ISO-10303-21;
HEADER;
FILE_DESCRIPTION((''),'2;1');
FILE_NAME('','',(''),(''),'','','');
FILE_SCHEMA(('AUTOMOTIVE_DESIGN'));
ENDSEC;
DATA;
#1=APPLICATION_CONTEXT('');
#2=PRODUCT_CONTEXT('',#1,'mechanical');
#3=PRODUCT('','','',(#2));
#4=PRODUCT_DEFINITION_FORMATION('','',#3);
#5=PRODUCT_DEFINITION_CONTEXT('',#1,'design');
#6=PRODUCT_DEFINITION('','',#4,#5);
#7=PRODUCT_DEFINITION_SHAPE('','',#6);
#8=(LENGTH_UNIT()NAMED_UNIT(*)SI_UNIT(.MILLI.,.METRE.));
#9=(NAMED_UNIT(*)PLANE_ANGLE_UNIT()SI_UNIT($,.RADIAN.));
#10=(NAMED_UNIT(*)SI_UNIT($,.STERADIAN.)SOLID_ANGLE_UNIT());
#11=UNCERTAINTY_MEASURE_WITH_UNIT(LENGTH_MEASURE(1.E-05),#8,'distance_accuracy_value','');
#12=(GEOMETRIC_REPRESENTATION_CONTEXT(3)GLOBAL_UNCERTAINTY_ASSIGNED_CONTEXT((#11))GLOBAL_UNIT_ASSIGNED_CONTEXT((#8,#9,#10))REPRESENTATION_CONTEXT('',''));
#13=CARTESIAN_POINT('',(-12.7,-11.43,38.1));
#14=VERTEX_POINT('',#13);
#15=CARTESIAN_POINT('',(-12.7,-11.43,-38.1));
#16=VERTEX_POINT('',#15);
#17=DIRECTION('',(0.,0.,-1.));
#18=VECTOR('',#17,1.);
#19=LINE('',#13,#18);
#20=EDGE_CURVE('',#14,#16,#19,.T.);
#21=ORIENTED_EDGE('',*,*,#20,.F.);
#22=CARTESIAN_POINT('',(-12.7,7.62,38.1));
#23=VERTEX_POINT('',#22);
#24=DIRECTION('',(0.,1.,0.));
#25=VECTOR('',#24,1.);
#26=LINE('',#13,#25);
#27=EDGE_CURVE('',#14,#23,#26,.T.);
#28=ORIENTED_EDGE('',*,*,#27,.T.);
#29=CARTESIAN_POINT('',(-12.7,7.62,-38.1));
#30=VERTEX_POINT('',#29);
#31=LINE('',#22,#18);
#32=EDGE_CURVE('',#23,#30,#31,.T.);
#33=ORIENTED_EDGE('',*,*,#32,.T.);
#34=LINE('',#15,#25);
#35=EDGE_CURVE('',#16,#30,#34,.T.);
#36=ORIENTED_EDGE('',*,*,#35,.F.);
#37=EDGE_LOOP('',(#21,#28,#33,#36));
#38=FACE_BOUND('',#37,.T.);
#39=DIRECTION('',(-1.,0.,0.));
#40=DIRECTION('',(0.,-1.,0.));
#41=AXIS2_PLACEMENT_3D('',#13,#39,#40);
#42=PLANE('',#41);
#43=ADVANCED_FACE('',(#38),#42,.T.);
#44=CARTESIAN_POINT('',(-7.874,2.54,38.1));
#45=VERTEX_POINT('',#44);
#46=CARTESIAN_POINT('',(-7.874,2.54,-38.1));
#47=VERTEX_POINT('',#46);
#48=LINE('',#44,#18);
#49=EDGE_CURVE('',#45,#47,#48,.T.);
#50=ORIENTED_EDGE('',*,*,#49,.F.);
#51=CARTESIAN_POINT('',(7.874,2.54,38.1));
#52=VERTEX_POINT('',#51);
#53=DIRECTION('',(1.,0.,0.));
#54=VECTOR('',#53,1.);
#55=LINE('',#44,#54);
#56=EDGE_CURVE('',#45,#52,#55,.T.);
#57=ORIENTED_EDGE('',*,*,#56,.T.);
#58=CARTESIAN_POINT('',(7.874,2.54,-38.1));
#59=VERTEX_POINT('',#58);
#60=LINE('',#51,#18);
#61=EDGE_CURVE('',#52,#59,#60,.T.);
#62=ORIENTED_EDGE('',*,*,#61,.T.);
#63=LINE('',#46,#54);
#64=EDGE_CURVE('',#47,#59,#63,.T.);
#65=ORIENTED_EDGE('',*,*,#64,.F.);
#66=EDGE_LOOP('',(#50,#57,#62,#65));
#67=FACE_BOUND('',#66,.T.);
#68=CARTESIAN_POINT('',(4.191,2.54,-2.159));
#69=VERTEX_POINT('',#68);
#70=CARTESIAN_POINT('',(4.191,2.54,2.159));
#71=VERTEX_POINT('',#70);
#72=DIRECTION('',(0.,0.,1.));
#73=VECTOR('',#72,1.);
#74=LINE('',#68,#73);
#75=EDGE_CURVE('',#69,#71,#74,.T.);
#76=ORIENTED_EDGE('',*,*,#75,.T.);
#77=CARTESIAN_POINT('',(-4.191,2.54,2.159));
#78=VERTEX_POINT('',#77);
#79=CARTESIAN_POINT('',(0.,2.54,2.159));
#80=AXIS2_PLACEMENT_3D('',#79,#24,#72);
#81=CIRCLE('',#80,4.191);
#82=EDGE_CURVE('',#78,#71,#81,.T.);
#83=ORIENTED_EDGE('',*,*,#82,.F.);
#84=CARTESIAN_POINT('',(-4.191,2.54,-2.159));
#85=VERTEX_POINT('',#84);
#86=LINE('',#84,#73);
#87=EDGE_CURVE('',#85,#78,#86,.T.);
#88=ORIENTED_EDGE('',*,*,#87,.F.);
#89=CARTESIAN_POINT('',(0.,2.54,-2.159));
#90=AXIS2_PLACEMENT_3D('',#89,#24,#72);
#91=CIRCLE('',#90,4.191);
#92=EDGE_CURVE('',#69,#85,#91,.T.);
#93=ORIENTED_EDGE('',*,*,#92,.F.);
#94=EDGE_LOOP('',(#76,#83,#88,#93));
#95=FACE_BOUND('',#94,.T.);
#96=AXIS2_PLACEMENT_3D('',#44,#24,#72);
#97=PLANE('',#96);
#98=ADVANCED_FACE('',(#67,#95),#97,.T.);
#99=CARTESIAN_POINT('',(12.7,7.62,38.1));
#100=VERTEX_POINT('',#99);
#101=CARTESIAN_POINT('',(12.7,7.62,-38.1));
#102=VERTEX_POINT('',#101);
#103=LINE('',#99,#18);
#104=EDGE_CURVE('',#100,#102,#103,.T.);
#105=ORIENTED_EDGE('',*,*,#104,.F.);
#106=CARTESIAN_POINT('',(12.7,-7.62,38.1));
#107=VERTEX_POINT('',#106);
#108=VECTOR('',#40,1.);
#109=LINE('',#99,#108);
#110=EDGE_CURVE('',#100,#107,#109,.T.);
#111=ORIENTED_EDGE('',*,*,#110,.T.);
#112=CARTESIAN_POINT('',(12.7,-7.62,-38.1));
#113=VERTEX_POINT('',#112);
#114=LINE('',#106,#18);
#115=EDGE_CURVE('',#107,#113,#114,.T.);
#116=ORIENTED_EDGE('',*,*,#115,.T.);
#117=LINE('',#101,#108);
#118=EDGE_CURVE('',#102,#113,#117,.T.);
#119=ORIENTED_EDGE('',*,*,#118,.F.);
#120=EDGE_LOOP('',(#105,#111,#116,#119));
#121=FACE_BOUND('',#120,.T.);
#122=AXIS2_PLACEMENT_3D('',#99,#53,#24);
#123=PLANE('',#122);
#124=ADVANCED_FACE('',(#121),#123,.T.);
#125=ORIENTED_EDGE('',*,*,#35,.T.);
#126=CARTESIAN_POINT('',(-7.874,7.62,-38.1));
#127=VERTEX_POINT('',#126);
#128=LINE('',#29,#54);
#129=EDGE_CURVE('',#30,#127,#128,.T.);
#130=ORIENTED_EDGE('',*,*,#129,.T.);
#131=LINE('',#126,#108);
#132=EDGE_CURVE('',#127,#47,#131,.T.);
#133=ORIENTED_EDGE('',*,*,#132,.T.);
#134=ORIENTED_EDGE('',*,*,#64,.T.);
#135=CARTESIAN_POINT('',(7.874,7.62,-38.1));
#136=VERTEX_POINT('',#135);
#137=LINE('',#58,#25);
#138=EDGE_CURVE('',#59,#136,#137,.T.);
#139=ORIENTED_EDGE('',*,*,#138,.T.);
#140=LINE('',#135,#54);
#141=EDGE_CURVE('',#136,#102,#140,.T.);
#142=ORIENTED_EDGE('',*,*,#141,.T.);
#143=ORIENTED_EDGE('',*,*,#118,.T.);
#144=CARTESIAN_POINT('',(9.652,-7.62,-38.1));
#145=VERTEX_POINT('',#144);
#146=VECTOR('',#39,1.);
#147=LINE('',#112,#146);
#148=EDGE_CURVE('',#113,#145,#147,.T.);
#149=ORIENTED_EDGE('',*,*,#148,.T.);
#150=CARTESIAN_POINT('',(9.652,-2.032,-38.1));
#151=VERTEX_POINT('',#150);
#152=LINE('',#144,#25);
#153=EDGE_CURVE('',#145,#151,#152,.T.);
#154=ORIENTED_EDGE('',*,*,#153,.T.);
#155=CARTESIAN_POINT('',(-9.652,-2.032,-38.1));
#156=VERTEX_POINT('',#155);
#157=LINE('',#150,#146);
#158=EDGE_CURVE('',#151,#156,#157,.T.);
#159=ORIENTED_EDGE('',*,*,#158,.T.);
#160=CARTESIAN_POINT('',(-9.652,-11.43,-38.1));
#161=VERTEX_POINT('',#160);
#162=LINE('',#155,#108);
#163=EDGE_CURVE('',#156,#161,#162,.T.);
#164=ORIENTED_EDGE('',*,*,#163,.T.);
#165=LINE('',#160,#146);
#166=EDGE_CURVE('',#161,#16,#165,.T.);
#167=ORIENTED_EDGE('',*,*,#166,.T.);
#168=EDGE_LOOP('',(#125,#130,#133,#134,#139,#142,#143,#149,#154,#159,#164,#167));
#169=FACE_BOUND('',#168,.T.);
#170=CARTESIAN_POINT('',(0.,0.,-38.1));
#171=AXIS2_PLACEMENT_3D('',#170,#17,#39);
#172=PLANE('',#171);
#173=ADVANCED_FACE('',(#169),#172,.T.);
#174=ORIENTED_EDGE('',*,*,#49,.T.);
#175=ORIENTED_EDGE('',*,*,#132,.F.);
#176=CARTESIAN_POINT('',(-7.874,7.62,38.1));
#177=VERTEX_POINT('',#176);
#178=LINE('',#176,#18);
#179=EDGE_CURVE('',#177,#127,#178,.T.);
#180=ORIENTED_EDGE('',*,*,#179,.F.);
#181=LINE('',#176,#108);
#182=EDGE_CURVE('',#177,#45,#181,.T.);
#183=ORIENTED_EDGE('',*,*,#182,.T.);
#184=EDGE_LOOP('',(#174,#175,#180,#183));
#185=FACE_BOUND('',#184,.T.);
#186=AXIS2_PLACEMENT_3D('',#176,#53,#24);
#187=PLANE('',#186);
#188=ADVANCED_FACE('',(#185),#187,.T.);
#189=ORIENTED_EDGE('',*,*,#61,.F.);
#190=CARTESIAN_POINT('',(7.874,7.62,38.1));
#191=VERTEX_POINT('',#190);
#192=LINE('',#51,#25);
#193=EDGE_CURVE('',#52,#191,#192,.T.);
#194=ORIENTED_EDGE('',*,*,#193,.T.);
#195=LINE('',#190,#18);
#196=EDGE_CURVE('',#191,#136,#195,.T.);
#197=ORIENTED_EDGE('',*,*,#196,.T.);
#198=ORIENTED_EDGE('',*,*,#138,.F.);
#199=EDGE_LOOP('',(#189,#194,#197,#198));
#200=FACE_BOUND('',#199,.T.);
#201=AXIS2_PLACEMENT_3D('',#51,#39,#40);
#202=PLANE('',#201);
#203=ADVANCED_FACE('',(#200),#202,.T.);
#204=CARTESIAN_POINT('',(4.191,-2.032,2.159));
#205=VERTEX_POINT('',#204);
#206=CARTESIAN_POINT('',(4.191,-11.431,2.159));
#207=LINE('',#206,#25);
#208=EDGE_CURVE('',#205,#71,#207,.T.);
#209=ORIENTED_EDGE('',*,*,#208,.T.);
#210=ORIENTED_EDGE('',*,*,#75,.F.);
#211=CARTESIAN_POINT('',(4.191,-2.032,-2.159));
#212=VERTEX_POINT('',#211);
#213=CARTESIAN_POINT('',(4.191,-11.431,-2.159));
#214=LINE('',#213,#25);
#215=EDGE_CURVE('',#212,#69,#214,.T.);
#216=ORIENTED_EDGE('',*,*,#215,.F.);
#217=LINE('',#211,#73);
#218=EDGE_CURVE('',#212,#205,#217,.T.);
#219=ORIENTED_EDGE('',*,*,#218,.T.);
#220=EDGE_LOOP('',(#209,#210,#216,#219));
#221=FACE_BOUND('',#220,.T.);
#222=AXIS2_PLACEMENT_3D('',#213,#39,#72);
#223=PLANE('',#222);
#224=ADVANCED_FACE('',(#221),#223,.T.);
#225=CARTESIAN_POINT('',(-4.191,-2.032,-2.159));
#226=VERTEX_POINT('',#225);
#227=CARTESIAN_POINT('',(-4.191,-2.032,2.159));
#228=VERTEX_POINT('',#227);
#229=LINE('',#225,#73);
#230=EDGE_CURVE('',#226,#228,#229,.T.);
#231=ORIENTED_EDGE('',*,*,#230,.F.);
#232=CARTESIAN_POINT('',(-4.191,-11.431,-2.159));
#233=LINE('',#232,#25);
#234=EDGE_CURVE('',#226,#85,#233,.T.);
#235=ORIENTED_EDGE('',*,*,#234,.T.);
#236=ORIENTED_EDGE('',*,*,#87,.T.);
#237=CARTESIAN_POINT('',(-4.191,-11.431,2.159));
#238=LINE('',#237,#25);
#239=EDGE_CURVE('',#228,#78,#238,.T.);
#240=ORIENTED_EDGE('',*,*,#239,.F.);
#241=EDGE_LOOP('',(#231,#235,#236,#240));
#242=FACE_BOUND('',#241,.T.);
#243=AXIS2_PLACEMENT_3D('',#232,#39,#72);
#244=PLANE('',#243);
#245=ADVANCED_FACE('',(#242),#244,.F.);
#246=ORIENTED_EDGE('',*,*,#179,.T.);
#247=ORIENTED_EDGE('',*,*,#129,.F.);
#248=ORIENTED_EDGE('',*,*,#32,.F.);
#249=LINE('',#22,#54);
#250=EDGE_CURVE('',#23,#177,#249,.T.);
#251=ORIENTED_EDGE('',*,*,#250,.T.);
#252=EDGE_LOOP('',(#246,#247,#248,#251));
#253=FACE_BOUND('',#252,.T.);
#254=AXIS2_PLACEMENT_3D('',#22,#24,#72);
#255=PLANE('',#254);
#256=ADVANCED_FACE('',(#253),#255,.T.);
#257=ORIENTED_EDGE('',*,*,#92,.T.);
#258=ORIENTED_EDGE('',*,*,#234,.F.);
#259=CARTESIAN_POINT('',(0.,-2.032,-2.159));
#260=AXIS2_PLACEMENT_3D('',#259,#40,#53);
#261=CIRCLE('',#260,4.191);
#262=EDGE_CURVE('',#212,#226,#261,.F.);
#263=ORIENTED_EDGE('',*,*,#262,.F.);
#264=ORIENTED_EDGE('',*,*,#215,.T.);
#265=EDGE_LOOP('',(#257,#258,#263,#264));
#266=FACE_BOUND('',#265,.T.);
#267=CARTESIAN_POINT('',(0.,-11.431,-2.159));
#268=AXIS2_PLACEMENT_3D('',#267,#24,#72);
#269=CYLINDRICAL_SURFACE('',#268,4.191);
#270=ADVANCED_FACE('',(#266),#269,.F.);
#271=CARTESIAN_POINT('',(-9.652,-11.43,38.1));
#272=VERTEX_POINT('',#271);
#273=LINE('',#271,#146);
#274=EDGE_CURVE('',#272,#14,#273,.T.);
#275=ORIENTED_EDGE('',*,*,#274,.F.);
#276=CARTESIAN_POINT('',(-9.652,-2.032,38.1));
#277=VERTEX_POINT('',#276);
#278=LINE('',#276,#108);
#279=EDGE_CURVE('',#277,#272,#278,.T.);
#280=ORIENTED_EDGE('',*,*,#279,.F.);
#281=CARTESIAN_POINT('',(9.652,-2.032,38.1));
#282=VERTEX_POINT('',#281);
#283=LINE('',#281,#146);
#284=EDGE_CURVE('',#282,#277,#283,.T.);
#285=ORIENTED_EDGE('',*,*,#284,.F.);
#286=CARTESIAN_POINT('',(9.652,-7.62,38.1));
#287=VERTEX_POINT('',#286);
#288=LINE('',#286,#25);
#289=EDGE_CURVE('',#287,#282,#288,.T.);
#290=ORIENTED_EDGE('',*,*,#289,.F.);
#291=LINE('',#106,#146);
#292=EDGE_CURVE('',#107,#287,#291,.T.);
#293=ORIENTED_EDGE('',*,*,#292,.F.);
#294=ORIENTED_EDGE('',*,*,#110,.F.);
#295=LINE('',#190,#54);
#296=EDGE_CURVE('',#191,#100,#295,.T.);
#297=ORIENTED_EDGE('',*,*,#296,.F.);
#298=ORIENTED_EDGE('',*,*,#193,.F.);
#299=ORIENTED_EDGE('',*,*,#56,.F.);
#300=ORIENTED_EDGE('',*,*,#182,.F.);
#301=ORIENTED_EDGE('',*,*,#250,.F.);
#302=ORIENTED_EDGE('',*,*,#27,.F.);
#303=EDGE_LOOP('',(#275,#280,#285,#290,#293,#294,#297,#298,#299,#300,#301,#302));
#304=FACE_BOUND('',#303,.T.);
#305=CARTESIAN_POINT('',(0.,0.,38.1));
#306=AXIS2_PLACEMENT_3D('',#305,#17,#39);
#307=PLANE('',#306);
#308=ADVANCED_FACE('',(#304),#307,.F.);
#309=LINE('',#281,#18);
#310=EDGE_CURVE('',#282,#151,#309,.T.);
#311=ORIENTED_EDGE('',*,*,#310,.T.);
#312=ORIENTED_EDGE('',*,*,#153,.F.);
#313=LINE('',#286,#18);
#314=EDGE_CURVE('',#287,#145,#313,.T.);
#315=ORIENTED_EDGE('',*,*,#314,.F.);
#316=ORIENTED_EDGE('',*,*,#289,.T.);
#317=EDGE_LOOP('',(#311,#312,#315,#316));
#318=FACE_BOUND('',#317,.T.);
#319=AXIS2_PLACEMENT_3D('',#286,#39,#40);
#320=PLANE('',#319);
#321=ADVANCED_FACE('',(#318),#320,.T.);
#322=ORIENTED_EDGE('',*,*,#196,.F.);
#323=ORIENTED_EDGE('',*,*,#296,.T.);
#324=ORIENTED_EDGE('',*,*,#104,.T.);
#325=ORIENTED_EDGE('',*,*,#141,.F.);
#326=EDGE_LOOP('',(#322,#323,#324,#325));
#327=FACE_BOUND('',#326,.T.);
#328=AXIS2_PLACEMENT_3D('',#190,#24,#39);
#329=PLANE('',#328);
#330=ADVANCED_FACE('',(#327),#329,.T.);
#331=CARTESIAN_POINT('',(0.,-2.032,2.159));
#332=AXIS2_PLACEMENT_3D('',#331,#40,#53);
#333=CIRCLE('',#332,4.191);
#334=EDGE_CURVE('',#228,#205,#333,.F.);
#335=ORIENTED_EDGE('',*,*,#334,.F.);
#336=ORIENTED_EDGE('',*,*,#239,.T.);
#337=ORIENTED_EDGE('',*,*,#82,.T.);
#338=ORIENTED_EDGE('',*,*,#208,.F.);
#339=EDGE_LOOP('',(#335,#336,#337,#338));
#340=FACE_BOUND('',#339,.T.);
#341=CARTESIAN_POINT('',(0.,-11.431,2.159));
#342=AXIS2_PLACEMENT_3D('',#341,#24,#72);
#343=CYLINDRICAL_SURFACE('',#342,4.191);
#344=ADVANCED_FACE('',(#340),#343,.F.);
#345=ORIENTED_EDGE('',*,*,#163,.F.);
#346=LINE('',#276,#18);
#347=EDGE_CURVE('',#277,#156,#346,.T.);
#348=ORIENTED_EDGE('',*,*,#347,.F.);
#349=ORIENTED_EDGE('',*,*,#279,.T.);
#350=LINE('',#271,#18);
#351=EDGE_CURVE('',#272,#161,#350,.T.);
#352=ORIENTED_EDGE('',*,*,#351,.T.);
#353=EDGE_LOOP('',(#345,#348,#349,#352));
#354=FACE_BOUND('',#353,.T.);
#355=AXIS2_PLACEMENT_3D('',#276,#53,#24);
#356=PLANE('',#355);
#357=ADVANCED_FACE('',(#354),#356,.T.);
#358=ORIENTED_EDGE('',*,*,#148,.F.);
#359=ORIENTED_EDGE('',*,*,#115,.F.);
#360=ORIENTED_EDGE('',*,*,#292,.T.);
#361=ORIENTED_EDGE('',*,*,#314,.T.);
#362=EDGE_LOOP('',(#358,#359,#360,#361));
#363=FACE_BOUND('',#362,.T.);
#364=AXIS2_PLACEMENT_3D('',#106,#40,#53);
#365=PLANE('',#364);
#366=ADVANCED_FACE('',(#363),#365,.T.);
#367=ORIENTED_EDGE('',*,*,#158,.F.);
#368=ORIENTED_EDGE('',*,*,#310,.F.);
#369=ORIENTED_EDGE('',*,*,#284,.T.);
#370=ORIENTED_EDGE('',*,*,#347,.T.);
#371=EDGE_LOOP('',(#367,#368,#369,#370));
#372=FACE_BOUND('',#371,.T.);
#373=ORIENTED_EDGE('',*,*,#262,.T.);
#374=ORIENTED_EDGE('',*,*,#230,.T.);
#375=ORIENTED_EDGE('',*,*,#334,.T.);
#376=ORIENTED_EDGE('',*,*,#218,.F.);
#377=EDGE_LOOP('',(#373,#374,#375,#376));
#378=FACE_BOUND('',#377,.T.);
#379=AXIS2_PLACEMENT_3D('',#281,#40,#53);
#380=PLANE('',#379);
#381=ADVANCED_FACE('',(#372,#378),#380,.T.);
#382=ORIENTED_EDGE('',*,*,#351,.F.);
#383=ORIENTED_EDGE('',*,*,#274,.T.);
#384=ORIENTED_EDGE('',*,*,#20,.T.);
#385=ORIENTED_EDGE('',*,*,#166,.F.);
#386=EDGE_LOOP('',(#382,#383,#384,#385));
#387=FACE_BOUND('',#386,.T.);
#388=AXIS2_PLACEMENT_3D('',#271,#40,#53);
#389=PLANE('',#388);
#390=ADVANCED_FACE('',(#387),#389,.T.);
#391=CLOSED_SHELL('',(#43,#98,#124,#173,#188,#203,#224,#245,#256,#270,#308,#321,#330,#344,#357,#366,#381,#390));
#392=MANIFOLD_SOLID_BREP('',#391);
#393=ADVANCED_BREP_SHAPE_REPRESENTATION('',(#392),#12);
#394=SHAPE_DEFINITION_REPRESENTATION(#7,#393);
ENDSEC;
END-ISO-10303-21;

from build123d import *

# Parameters (mm, degrees)
BOSS_EXTRUDE1_DEPTH = 38.1
CUT_EXTRUDE1_REACH  = 44.521


with BuildPart() as part:
    # Sketch1 → Boss-Extrude1 (new, symmetric)
    with BuildSketch(Plane.XY):
        Polygon((-12.7, 7.62), (-7.874, 7.62), (-7.874, 2.54), (7.874, 2.54), (7.874, 7.62), (12.7, 7.62), (12.7, -7.62), (9.652, -7.62), (9.652, -2.032), (-9.652, -2.032), (-9.652, -11.43), (-12.7, -11.43), align=None)
    extrude(amount=BOSS_EXTRUDE1_DEPTH, both=True)

    # Sketch2 → Cut-Extrude1 (cut, up to next)
    with BuildSketch(Plane(origin=(0, 2.54, 0), x_dir=(1, 0, 0), z_dir=(0, 1, 0)), mode=Mode.PRIVATE) as cut_extrude1_sk1:
        with BuildLine():
            Line((4.191, 2.159), (4.191, -2.159))
            ThreePointArc((4.191, -2.159), (0, -6.35), (-4.191, -2.159))
            Line((-4.191, -2.159), (-4.191, 2.159))
            ThreePointArc((-4.191, 2.159), (0, 6.35), (4.191, 2.159))
        make_face()
    cut_extrude1_tool1 = extrude(cut_extrude1_sk1.sketch, amount=-CUT_EXTRUDE1_REACH, mode=Mode.PRIVATE) & part.part
    add(cut_extrude1_tool1.solids().sort_by_distance((0, 2.54, 0))[0], mode=Mode.SUBTRACT)


solid = part.part
